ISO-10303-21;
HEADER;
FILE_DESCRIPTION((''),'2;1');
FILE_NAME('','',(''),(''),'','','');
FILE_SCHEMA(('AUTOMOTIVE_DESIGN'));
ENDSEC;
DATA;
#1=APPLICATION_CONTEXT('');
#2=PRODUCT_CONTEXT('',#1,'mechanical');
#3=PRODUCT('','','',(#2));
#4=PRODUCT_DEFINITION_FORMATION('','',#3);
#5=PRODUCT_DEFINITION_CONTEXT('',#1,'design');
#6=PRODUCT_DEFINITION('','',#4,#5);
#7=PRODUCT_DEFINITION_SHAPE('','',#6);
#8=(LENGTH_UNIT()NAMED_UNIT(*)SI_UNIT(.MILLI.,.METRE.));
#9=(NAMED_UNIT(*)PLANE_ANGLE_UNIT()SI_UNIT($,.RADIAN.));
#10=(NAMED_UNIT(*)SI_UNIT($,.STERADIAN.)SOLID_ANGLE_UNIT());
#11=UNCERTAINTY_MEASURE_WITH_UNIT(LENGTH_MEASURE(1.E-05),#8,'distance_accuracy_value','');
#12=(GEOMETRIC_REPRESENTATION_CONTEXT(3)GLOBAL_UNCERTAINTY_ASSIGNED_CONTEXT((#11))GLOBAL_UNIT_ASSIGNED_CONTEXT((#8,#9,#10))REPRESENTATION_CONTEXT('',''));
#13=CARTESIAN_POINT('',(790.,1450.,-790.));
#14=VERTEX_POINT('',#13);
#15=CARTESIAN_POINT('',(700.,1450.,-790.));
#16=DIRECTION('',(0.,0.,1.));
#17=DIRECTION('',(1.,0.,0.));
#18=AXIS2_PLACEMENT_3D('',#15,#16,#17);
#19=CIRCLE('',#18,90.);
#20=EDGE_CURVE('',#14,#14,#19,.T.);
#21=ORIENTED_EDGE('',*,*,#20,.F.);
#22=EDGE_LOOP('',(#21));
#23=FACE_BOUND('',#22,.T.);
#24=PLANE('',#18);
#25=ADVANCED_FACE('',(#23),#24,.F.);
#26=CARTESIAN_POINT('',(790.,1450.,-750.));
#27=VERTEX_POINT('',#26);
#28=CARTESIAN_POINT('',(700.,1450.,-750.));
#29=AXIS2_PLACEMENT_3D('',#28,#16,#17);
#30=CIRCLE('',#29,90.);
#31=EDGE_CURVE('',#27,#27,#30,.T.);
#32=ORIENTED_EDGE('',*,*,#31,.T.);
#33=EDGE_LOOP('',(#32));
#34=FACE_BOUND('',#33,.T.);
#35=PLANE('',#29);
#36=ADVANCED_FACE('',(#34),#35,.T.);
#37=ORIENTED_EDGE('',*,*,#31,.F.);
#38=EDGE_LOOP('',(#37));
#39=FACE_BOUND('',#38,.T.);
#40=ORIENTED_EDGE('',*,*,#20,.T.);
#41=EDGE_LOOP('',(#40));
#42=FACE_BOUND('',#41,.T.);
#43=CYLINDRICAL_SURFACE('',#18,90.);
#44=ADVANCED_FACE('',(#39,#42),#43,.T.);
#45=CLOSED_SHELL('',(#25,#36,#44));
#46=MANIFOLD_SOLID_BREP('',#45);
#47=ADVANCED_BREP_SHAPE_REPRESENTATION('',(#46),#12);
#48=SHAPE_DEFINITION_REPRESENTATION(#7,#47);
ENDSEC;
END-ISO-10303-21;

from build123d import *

# Parameters (mm, degrees)
STORE_EVAP_FAN_1_START = -750
SKETCH1_R              = 90
STORE_EVAP_FAN_1_DEPTH = 40


with BuildPart() as part:
    # Sketch1 → STORE_evap_fan_1 (new body)
    with BuildSketch(Plane.XY.offset(STORE_EVAP_FAN_1_START)):
        with Locations((700, 1450)):
            Circle(SKETCH1_R)
    extrude(amount=-STORE_EVAP_FAN_1_DEPTH)


solid = part.part
